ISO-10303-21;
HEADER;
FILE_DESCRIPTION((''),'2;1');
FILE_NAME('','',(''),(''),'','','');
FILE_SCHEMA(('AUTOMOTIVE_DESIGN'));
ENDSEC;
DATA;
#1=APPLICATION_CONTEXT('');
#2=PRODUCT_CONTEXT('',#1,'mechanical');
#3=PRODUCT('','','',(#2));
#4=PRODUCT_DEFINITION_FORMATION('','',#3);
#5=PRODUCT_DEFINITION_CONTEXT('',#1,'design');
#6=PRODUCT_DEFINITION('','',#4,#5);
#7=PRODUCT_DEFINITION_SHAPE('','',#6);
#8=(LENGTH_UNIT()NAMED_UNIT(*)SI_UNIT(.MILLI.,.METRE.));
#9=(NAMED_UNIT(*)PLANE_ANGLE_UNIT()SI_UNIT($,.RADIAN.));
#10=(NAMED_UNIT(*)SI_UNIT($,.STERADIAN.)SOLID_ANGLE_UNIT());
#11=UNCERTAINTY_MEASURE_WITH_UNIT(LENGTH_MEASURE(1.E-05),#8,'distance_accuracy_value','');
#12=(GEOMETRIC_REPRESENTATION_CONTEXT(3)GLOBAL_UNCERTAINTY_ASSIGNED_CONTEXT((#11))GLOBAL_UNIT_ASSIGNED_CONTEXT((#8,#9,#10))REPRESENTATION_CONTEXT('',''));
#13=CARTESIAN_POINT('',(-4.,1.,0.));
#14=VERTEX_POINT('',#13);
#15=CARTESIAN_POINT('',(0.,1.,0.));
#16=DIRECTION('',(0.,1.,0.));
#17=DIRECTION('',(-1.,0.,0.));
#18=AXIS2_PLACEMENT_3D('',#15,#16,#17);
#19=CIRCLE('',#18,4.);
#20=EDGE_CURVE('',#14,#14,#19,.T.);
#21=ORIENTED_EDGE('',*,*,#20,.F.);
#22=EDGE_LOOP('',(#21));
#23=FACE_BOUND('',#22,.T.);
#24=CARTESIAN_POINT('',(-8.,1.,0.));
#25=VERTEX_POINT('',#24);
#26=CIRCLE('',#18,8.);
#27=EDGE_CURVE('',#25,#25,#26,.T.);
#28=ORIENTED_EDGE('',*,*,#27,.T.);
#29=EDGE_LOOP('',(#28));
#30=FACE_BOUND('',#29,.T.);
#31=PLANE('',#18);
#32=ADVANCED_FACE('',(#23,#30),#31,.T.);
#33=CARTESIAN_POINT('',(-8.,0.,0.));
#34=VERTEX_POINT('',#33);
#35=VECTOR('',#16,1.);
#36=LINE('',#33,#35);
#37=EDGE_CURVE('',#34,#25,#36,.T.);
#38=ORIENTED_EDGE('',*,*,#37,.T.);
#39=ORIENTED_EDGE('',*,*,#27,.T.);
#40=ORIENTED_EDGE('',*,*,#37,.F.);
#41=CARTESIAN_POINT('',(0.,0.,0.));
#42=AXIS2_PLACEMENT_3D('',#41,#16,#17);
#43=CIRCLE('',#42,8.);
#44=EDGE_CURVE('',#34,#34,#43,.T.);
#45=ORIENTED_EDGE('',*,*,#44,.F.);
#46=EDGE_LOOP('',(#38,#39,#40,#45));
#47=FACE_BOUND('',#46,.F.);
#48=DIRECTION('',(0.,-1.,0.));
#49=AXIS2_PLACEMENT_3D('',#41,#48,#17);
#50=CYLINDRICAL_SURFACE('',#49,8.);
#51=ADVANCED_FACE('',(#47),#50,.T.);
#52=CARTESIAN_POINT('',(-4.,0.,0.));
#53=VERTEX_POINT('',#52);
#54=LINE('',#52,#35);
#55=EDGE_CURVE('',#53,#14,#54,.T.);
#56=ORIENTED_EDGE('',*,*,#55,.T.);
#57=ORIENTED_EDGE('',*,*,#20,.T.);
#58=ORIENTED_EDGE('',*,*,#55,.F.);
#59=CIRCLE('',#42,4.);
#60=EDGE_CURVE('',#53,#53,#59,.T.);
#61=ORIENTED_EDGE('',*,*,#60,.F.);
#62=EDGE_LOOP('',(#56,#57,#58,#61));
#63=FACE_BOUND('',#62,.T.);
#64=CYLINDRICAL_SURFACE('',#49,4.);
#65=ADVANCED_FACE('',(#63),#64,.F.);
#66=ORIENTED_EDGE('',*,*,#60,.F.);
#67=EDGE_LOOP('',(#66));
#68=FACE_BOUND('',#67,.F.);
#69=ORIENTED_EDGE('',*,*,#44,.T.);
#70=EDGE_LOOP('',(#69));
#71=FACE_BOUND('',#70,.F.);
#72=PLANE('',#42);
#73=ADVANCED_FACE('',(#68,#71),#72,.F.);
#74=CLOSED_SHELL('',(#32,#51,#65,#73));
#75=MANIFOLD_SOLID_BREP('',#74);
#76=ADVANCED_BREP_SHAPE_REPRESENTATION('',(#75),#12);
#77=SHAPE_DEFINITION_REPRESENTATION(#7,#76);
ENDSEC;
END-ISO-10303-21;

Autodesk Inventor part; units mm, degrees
ref_plane "YZ Plane" through (0, 0, 0) normal (1, 0, 0) x (0, 1, 0)
ref_plane "XZ Plane" through (0, 0, 0) normal (0, 1, 0) x (-1, 0, 0)
ref_plane "XY Plane" through (0, 0, 0) normal (0, 0, 1) x (1, 0, 0)
sketch "Szkic1" plane through (0, 0, 0) normal (0, 1, 0) x (-1, 0, 0)
  circle A0 centre (0, 0) radius 4
  circle A1 centre (0, 0) radius 8
  dimension "d0" = 8
  dimension "d1" = 16
extrude "Wyciągnięcie proste1" add sketch "Szkic1" along normal blind 1
properties part number "M8_pad"
